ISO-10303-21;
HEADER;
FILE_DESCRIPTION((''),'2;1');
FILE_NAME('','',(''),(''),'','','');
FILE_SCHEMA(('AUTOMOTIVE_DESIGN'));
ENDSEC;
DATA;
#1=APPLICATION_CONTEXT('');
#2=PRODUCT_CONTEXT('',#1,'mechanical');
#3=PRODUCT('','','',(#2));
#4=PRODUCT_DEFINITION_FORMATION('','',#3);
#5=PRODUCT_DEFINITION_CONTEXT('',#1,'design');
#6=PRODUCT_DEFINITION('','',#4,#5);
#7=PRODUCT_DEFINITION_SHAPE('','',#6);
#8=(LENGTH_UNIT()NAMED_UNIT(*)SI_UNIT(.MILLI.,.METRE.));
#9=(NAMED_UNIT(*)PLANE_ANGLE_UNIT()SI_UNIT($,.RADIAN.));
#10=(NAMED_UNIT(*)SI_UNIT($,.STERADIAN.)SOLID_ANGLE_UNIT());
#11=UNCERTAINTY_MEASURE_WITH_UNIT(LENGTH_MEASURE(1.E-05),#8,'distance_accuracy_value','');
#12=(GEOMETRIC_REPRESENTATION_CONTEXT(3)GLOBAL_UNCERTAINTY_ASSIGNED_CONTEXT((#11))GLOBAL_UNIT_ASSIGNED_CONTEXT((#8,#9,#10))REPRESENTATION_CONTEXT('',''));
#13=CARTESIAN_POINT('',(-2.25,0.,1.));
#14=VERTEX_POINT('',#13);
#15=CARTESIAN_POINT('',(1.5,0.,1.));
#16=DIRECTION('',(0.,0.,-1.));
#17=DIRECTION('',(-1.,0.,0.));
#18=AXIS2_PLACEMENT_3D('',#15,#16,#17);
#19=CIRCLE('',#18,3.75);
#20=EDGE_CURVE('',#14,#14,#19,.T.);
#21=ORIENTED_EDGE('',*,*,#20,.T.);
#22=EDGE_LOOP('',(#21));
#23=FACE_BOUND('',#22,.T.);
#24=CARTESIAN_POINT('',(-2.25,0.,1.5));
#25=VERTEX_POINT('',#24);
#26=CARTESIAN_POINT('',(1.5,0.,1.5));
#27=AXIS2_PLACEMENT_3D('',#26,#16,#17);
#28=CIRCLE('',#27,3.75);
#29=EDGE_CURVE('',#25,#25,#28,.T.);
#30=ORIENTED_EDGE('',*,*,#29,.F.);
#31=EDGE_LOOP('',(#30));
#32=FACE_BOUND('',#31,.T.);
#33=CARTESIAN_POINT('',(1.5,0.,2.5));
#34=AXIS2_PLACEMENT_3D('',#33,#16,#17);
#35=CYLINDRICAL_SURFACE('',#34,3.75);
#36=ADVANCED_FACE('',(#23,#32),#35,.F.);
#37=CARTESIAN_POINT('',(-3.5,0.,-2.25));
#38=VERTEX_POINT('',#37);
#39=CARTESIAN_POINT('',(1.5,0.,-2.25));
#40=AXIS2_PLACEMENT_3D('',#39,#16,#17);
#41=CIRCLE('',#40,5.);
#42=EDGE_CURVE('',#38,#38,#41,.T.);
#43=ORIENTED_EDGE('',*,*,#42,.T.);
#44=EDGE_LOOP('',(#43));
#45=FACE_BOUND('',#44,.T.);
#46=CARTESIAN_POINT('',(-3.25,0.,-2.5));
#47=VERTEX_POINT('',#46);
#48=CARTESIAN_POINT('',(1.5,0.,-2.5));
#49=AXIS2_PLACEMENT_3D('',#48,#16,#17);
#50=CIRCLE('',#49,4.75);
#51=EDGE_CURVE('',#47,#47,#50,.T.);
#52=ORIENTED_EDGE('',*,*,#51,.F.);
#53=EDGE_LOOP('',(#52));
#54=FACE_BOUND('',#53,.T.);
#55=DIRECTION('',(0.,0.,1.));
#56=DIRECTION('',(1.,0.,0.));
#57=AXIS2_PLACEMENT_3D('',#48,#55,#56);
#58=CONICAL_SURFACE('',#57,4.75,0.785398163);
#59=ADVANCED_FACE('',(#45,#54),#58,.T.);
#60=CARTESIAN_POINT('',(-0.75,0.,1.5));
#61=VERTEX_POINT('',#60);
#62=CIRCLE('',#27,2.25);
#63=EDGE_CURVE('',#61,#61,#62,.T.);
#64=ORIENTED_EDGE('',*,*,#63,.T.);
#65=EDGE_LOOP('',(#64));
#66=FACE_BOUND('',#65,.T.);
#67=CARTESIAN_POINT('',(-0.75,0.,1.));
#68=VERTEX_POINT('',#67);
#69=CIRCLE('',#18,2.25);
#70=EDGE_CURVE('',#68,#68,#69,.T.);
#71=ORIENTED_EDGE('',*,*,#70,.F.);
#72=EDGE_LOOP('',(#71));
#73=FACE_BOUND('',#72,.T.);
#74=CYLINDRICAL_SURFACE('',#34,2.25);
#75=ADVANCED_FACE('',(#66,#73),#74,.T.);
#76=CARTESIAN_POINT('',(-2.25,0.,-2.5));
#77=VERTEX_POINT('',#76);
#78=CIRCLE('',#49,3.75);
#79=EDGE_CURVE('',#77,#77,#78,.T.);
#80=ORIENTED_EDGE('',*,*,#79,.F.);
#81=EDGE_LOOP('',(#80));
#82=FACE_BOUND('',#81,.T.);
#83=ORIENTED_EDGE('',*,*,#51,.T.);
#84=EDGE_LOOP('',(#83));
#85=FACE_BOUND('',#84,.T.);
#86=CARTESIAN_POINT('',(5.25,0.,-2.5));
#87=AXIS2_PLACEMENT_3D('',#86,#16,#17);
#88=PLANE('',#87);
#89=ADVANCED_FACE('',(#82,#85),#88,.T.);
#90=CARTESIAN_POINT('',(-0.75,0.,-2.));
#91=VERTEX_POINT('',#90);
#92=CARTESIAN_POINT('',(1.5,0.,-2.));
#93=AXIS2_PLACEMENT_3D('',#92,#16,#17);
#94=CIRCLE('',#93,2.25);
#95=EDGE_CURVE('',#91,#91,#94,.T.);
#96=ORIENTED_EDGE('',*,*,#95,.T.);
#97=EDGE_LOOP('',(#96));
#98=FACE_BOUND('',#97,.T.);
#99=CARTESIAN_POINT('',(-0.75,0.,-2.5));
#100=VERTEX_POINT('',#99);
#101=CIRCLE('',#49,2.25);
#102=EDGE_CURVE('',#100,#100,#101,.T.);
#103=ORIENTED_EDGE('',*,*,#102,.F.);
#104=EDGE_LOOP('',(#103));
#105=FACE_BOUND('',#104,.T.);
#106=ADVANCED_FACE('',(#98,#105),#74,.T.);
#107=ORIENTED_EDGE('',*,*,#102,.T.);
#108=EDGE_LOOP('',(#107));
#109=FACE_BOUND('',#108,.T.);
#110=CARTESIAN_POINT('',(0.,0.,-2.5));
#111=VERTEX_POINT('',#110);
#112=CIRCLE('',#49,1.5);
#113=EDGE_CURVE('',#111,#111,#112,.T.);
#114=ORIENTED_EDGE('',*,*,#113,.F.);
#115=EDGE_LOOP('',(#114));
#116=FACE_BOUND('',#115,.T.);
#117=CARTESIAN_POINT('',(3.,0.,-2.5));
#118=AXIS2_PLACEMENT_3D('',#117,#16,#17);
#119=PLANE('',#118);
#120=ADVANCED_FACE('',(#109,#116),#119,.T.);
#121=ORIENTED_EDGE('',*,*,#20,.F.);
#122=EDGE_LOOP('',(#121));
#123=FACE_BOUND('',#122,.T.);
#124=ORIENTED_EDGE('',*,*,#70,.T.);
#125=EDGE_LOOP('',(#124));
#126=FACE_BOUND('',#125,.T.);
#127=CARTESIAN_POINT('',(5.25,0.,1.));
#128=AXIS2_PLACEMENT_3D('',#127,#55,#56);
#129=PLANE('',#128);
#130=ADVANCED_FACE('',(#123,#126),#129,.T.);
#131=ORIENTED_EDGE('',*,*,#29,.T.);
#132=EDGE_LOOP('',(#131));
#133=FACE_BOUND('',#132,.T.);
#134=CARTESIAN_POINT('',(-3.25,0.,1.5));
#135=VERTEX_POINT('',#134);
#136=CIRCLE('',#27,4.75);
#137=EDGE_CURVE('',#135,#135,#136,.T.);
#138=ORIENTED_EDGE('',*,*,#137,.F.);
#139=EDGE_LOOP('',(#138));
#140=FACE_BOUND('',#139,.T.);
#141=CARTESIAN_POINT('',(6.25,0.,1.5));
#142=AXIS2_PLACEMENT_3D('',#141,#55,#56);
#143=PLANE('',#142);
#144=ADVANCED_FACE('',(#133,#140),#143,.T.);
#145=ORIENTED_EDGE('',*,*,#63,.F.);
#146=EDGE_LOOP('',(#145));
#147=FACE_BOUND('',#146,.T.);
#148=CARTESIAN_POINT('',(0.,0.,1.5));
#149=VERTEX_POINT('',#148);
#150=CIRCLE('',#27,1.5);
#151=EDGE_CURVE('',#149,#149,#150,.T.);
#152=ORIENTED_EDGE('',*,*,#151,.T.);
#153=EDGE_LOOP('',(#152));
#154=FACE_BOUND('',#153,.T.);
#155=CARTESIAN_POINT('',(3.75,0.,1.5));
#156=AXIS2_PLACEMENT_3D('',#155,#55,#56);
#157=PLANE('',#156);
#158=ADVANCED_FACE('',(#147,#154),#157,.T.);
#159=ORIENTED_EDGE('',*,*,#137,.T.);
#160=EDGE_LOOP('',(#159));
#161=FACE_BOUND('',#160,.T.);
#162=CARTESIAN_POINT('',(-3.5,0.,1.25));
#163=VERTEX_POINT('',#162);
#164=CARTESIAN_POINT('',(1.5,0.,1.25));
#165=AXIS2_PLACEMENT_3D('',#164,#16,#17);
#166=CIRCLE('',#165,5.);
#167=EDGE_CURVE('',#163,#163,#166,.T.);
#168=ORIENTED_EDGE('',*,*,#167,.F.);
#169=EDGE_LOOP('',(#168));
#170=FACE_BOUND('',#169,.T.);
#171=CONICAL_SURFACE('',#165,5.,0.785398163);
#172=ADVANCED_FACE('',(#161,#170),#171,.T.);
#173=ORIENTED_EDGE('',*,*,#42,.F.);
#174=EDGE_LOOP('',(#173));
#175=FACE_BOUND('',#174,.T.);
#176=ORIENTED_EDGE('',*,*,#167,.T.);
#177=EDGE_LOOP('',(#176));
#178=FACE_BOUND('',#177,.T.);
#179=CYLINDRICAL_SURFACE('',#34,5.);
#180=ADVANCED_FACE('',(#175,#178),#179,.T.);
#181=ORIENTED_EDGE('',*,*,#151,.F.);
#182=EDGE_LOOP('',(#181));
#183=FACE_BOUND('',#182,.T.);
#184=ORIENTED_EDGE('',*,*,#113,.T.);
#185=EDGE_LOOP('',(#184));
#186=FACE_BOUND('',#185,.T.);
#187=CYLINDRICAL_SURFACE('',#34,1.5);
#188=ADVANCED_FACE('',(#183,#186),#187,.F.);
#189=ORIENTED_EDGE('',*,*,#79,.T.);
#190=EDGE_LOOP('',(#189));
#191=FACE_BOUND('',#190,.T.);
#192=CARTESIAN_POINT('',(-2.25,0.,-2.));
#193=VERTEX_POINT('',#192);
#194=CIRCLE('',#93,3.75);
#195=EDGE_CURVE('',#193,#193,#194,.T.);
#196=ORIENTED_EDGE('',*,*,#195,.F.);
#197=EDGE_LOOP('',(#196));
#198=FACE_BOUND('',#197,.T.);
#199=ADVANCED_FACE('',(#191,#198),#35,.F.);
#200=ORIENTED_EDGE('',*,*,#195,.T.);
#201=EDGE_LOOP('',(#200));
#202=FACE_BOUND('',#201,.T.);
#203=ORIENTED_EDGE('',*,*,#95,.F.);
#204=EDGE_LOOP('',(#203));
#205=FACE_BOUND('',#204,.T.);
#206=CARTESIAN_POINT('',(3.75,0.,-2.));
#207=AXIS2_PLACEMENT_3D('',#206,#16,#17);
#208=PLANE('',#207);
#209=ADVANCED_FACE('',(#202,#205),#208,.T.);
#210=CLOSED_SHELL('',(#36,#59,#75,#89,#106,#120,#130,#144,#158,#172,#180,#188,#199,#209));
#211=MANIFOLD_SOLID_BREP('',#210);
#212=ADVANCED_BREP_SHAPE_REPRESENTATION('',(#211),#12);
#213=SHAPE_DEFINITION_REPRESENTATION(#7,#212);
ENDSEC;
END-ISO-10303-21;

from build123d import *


with BuildPart() as part:
    # Sketch1 → Revolve1 (revolve)
    with BuildSketch(Plane.XZ):
        Polygon((6.5, 1.25), (6.25, 1.5), (5.25, 1.5), (5.25, 1), (3.75, 1), (3.75, 1.5), (3, 1.5), (3, -2.5), (3.75, -2.5), (3.75, -2), (5.25, -2), (5.25, -2.5), (6.25, -2.5), (6.5, -2.25), align=None)
    revolve(axis=Axis((1.5, 0, 2.5), (0, 0, -1)))


solid = part.part
